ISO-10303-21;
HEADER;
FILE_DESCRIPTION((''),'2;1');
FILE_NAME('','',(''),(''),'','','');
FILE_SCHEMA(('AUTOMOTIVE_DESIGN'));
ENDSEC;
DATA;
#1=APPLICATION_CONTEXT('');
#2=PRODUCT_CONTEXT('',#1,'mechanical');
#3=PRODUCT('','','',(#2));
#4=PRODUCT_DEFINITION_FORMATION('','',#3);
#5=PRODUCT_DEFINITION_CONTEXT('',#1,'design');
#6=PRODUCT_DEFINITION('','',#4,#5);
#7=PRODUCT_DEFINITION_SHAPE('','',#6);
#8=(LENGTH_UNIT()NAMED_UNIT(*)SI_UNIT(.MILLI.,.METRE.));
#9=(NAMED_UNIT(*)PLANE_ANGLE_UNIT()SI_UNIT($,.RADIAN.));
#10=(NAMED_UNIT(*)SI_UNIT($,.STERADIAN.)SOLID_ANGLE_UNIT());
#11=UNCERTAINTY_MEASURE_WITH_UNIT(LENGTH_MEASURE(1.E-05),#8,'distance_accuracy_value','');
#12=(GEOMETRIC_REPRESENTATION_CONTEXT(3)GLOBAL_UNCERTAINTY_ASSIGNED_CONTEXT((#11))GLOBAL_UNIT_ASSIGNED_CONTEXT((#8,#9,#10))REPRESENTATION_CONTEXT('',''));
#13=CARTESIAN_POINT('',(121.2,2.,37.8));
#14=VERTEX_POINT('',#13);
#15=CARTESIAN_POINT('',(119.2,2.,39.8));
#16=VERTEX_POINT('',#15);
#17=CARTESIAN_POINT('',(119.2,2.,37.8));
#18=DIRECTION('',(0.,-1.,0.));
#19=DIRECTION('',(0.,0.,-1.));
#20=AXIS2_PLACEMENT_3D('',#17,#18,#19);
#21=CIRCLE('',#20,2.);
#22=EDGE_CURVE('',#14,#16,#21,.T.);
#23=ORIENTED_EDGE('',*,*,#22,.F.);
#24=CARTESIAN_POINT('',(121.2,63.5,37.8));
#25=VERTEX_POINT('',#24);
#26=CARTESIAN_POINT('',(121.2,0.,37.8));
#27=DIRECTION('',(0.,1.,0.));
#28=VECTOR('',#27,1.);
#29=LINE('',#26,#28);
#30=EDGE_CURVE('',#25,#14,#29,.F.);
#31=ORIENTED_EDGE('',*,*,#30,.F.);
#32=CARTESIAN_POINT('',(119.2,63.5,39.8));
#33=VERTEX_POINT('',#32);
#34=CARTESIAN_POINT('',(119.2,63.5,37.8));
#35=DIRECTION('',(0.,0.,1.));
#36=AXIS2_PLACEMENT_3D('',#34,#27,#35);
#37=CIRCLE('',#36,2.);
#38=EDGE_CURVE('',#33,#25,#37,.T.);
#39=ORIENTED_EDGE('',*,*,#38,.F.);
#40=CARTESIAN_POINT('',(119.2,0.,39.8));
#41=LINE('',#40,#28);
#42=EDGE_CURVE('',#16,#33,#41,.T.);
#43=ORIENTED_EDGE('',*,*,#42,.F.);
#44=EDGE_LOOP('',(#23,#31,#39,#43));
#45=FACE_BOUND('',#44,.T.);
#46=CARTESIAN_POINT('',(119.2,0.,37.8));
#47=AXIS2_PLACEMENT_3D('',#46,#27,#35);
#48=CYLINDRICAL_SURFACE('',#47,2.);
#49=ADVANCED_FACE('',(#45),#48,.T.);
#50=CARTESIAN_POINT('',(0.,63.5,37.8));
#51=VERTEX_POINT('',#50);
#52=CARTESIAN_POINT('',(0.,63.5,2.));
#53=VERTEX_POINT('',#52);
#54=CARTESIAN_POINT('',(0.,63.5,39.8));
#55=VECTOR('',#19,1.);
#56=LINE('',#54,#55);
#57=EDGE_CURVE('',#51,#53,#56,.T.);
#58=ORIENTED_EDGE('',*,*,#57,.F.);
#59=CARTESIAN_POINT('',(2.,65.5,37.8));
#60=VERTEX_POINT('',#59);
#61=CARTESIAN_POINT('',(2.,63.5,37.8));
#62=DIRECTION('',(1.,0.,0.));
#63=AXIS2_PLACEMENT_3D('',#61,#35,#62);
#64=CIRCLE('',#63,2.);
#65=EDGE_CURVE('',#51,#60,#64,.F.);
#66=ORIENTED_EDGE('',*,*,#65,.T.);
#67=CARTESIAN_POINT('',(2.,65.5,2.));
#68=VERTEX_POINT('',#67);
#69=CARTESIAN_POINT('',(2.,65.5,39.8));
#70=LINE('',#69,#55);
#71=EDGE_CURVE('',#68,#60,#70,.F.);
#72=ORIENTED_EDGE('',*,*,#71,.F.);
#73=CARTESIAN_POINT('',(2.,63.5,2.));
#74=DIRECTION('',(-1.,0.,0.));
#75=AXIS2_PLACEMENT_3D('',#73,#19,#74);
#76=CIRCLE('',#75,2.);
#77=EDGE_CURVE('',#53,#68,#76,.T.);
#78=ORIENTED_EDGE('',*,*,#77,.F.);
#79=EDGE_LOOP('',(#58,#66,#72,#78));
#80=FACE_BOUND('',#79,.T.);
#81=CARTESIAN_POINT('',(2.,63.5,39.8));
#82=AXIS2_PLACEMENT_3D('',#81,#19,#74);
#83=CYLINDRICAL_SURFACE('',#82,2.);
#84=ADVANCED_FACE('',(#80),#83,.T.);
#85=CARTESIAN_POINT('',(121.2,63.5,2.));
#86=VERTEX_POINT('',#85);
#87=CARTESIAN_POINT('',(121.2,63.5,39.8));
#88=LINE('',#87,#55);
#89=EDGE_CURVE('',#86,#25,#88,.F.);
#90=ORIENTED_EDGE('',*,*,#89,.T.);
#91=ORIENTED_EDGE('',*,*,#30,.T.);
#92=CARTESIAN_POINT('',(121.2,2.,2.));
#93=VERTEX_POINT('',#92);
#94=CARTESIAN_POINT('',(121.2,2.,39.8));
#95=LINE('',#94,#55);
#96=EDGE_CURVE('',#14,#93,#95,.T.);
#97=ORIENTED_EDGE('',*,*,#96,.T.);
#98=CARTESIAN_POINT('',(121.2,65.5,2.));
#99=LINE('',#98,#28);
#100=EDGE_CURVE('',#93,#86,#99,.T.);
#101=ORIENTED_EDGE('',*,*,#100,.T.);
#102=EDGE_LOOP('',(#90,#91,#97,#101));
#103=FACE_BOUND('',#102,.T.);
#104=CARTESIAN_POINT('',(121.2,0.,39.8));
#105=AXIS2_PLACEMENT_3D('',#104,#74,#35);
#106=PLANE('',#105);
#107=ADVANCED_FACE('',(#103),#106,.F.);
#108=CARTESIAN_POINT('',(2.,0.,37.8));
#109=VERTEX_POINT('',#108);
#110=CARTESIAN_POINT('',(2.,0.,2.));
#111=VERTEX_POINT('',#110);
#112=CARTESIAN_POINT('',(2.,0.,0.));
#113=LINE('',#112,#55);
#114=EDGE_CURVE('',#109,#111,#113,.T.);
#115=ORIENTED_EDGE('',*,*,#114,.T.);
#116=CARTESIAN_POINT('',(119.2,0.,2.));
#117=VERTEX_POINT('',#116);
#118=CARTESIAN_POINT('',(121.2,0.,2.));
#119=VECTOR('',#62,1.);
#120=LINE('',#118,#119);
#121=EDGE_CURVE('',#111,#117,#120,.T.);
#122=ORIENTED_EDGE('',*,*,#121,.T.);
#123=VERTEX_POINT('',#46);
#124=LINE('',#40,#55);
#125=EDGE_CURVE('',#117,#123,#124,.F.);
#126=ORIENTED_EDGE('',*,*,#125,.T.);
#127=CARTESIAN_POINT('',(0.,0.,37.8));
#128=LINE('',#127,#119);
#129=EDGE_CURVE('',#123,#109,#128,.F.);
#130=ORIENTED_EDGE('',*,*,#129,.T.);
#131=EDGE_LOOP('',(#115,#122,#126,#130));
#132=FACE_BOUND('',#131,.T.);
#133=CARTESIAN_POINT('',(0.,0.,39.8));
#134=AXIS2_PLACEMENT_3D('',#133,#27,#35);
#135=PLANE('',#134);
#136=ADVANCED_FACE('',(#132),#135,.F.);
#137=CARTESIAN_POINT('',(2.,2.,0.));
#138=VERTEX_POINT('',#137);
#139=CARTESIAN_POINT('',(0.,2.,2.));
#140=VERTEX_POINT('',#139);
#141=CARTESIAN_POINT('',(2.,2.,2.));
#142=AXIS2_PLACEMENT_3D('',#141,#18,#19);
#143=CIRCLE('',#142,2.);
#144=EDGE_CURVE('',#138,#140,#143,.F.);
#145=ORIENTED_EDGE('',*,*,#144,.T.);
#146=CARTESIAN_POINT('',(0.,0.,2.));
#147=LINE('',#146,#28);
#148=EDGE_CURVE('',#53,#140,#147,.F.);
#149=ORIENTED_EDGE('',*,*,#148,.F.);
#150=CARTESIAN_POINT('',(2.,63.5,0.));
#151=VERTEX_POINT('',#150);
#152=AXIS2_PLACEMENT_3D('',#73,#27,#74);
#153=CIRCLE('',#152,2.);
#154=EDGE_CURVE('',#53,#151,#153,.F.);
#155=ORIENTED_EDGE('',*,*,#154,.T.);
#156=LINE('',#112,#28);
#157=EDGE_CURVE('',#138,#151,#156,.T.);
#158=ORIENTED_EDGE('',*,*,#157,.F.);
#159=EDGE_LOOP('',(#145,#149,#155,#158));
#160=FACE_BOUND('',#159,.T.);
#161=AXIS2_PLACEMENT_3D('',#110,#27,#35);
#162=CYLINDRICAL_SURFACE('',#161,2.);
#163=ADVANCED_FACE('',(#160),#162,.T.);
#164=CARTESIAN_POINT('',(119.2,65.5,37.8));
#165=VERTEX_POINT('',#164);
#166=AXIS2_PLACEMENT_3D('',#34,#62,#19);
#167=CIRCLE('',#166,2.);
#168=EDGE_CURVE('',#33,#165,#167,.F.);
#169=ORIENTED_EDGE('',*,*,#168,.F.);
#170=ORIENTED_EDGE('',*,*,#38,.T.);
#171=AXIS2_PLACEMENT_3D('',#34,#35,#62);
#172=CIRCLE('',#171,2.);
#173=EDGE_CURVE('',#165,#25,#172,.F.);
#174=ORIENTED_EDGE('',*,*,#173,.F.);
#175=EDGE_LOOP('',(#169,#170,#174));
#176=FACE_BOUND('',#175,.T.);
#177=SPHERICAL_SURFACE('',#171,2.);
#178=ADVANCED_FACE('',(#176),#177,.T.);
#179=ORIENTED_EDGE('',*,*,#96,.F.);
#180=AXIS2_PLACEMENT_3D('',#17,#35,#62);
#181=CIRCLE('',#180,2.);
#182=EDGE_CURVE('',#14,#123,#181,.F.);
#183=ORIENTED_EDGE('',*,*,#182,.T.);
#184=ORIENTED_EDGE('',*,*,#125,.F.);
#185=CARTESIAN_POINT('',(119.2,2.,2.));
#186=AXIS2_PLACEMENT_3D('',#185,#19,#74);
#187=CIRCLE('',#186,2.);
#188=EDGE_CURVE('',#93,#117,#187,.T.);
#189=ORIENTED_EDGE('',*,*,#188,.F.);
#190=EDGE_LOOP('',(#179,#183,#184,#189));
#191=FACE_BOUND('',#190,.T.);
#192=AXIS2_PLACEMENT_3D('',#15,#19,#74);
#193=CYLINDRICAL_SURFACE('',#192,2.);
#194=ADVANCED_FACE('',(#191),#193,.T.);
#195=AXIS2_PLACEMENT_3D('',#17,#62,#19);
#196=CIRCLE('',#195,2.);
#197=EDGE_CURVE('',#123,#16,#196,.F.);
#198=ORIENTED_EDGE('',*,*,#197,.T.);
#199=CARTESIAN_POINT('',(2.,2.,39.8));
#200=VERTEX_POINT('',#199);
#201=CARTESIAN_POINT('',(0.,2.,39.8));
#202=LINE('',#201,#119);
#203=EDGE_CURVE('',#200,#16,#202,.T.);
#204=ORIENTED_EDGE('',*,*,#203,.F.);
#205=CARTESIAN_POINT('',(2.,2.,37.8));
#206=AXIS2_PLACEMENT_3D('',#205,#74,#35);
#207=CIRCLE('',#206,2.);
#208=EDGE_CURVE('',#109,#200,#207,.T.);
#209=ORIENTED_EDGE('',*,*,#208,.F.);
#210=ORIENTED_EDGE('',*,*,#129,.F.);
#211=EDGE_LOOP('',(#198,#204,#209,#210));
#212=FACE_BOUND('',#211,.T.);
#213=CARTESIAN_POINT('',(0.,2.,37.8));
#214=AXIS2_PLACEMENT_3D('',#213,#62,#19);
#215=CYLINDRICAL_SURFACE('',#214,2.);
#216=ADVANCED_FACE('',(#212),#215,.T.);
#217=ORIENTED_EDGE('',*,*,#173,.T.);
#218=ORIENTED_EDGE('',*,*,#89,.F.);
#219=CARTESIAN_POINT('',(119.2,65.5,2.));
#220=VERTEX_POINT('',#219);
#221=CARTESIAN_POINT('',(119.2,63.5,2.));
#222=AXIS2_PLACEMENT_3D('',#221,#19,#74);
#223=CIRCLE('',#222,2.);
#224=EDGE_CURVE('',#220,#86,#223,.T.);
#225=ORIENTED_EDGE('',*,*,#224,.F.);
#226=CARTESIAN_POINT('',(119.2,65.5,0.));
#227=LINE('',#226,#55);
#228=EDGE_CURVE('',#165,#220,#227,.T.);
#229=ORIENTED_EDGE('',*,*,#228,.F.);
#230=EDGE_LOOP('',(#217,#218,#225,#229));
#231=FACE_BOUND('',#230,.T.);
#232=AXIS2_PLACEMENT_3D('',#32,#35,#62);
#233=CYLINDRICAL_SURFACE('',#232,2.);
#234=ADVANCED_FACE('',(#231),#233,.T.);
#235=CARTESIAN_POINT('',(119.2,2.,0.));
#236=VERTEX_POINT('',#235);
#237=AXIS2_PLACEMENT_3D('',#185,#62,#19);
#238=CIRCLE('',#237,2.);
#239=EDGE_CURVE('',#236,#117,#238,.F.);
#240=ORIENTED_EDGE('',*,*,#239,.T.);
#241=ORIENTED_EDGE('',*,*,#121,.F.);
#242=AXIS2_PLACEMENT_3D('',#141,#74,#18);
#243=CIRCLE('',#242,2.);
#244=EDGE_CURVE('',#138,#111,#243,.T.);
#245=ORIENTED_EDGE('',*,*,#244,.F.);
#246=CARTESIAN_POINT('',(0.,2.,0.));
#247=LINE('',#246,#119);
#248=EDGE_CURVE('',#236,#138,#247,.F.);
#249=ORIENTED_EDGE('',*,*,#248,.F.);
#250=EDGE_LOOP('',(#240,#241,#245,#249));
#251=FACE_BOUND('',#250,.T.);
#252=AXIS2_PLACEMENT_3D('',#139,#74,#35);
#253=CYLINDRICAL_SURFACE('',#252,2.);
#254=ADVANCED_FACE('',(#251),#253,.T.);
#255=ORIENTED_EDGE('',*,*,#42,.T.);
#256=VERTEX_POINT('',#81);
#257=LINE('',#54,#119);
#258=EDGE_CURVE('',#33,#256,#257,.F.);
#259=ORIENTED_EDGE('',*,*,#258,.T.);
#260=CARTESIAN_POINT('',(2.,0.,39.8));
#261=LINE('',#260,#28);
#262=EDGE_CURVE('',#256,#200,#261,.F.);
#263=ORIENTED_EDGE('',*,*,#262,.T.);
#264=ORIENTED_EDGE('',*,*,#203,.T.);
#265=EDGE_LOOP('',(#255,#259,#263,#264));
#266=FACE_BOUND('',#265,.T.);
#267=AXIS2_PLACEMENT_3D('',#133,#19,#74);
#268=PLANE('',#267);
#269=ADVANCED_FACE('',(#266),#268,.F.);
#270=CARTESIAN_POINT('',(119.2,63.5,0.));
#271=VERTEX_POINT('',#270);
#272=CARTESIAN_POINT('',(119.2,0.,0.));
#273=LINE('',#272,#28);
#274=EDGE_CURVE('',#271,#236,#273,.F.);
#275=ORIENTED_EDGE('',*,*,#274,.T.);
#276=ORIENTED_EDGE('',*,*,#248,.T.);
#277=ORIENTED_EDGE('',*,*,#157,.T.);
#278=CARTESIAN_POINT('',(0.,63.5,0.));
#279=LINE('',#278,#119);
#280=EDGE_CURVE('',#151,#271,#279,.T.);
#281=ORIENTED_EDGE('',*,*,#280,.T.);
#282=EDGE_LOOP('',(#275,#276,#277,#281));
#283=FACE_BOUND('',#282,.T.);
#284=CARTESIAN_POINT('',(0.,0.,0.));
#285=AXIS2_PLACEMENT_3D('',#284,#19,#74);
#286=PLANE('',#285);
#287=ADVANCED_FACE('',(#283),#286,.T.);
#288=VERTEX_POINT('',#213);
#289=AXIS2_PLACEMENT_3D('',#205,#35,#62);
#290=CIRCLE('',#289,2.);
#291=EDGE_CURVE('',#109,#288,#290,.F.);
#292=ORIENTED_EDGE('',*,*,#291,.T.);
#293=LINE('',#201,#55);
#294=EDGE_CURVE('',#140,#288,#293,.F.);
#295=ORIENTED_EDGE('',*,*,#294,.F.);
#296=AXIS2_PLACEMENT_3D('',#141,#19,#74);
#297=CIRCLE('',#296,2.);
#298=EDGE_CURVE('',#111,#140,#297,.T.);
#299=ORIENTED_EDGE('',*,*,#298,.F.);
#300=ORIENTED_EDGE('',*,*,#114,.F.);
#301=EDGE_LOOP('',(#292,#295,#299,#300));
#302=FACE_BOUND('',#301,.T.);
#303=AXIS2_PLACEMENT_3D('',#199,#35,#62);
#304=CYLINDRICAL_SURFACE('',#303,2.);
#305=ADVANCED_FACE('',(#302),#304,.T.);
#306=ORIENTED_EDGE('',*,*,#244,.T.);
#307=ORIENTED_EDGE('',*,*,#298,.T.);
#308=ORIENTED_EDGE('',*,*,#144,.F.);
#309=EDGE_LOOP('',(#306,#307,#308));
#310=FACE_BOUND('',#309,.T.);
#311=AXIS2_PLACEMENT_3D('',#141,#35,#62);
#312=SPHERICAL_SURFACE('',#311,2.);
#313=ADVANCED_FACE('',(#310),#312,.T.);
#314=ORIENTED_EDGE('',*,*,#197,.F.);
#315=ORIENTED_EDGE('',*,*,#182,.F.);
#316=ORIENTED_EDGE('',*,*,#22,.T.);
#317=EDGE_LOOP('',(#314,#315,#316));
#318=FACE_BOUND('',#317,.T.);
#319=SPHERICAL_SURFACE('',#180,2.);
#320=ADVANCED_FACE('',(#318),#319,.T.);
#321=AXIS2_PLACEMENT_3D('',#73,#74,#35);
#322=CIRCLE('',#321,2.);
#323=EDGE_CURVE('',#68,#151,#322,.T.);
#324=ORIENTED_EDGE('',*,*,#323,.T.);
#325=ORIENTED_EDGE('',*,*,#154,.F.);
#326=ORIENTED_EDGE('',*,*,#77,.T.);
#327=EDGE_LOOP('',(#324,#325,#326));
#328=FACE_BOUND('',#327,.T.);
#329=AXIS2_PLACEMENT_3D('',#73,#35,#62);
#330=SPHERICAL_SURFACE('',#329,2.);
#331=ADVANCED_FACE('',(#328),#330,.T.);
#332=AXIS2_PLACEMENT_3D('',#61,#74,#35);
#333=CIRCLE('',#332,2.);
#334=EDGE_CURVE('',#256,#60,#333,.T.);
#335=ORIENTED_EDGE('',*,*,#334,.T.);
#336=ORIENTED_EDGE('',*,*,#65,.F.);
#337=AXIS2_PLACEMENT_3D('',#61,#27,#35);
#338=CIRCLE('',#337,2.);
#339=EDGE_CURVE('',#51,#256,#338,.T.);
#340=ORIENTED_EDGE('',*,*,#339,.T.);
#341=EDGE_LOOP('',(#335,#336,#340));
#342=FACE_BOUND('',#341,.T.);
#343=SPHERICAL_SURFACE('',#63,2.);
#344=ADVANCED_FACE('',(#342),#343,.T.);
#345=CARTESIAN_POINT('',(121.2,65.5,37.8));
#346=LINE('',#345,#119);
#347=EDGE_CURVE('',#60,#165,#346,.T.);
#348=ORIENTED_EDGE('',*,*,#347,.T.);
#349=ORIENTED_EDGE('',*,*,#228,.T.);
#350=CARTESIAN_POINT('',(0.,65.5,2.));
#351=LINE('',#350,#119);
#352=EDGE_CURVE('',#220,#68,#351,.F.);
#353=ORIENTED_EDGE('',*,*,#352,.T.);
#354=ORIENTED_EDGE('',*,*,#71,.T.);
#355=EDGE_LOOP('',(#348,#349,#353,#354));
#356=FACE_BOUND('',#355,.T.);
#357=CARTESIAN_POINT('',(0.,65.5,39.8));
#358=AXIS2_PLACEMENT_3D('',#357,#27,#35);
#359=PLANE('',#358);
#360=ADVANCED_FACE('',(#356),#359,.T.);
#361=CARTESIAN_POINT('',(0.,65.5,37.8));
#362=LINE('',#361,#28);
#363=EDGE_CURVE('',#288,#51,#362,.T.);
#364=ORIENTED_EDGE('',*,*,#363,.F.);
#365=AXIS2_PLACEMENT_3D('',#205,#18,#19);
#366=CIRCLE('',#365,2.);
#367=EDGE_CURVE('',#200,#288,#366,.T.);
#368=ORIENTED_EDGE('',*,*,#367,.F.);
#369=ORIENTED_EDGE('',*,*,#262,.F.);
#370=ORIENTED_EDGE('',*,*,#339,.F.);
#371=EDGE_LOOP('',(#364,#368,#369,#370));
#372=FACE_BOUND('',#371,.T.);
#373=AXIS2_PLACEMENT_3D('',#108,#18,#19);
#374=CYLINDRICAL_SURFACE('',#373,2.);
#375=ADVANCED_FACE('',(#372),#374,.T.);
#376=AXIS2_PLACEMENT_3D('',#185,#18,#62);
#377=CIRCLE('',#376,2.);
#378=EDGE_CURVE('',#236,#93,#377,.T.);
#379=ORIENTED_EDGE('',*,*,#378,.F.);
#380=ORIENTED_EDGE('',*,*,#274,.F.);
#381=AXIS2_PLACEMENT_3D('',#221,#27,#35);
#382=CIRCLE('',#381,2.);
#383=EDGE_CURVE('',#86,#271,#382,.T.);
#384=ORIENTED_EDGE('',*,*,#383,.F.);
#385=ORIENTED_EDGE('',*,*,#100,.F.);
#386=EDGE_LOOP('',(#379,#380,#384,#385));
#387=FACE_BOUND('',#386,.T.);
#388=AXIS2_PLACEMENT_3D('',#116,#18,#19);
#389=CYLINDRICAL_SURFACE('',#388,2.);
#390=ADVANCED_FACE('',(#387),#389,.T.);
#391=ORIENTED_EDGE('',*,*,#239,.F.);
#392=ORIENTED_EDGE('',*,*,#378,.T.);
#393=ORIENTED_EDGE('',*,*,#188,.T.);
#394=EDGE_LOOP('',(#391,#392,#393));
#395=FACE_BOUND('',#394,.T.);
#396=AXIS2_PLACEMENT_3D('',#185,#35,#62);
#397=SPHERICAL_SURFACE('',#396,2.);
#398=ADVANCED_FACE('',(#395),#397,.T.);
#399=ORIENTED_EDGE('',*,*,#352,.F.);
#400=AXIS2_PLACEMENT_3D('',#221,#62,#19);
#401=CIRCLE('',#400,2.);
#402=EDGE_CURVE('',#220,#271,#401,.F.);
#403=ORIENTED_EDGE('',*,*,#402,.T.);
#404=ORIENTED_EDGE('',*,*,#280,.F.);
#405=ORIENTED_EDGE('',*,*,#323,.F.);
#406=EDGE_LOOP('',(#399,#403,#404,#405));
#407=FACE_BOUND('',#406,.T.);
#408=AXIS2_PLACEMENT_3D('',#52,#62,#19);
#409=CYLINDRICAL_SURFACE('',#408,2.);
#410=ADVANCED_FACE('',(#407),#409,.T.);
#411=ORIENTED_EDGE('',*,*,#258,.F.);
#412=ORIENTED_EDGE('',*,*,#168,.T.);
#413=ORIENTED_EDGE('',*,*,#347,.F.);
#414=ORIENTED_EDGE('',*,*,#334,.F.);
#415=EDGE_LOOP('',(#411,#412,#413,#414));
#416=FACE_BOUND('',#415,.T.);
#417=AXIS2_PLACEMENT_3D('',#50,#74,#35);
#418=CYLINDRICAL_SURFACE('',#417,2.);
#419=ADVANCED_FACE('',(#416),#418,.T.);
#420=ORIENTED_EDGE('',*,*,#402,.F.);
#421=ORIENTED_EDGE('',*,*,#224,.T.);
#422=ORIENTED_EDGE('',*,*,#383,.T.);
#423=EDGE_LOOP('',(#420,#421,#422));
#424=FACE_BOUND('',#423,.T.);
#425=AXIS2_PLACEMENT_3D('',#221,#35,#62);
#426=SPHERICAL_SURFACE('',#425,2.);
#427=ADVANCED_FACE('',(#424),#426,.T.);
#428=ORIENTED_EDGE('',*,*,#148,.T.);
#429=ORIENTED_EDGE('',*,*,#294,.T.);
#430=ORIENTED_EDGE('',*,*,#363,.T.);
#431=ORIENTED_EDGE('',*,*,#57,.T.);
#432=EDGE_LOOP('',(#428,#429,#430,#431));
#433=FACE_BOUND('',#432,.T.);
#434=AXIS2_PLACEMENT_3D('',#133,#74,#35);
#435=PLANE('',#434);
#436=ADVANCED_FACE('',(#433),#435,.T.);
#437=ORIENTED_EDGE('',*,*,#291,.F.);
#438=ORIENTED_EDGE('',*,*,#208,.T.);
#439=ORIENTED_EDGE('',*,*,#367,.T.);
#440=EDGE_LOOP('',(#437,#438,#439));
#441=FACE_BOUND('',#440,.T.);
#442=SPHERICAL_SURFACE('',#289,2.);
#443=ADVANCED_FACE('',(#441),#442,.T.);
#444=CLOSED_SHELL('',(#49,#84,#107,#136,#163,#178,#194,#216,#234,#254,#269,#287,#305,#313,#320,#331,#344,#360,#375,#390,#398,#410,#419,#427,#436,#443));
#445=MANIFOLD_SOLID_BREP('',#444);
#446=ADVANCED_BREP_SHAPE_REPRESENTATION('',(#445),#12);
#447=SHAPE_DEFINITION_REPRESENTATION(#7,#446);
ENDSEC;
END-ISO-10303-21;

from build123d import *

# Parameters (mm, degrees)
SKETCH1_W           = 121.2
SKETCH1_H           = 65.5
BOSS_EXTRUDE1_DEPTH = 39.8
FILLET1_R           = 2


with BuildPart() as part:
    # Sketch1 → Boss-Extrude1 (new body)
    with BuildSketch(Plane.XY):
        with Locations((60.6, 32.75)):
            Rectangle(SKETCH1_W, SKETCH1_H)
    extrude(amount=BOSS_EXTRUDE1_DEPTH)

    # Fillet1
    fillet1_edges = [part.edges().sort_by_distance(p)[0] for p in [
        (121.2, 32.75, 39.8),
        (60.6, 0, 39.8),
        (0, 32.75, 39.8),
        (60.6, 0, 0),
        (121.2, 32.75, 0),
        (60.6, 65.5, 0),
        (0, 32.75, 0),
        (60.6, 65.5, 39.8),
        (0, 0, 19.9),
        (121.2, 0, 19.9),
        (121.2, 65.5, 19.9),
        (0, 65.5, 19.9),
    ]]
    fillet(fillet1_edges, radius=FILLET1_R)


solid = part.part
